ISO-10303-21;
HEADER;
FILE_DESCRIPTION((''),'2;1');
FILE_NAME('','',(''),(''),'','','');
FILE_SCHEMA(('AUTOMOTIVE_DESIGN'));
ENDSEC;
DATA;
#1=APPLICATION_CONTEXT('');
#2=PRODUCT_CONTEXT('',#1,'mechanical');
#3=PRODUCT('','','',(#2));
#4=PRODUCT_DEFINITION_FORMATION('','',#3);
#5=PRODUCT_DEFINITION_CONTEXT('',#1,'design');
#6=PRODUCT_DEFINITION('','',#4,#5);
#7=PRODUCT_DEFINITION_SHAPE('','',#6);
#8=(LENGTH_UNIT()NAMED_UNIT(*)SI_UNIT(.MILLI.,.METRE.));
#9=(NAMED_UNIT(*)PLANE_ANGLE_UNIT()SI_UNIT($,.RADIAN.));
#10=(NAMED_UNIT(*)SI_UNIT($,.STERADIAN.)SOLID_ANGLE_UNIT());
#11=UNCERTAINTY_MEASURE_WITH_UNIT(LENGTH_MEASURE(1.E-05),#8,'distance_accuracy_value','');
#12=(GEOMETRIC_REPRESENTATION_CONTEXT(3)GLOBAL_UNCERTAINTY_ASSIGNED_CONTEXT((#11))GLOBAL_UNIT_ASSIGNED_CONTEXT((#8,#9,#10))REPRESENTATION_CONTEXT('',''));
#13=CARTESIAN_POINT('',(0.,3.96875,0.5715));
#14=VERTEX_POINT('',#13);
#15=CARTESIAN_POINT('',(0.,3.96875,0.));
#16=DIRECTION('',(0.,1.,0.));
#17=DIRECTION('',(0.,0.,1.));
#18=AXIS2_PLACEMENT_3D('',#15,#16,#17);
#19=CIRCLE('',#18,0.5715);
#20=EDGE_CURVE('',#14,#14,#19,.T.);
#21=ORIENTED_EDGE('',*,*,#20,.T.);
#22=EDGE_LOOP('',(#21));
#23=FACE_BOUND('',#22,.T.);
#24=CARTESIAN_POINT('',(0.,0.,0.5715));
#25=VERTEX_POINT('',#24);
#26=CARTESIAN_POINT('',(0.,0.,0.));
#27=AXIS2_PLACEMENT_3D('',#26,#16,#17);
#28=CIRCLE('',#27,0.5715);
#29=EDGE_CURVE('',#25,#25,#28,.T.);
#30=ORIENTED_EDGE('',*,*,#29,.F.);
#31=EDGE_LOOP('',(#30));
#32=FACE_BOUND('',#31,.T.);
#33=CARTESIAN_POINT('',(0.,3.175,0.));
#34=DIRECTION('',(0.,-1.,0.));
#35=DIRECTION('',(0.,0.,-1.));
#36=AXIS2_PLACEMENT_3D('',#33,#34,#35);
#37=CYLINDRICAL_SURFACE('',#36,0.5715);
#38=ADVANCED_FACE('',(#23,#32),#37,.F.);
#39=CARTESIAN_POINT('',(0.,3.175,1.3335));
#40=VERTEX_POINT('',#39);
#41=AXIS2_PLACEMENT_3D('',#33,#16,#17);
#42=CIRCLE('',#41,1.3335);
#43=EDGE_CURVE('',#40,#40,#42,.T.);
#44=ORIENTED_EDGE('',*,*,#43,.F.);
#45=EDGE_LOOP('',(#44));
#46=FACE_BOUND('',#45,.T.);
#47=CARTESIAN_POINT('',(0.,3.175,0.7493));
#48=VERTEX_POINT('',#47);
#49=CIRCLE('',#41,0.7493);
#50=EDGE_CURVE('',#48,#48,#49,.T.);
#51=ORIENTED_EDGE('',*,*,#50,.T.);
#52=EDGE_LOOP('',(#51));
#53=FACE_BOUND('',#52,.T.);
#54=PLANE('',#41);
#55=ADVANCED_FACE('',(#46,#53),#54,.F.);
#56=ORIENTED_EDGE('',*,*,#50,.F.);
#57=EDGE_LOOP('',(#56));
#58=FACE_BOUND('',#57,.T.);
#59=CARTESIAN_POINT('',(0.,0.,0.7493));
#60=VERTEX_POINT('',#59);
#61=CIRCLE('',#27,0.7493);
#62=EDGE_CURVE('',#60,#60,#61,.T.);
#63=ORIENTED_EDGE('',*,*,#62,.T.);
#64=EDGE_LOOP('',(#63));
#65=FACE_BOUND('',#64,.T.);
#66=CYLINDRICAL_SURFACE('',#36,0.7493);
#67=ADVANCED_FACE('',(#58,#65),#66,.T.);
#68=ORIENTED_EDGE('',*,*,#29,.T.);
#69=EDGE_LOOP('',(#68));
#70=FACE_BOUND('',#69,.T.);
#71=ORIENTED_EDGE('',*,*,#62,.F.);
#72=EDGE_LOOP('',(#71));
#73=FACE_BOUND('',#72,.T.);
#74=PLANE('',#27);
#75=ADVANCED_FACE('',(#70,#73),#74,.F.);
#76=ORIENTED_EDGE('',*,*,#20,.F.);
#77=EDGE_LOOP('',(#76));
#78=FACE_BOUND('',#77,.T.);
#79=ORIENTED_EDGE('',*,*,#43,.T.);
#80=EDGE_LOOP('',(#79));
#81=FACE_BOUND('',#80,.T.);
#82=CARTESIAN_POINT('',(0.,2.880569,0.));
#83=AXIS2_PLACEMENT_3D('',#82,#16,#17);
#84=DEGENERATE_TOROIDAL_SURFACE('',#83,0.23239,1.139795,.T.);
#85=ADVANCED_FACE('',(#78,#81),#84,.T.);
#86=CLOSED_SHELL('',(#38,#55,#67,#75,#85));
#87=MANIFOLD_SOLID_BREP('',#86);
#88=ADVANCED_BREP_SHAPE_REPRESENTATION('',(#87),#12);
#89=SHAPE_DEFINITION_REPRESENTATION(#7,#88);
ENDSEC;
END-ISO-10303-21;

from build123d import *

# Parameters (mm, degrees)
SKETCH1_R           = 0.7493
SKETCH1_R_2         = 0.5715
BARREL_DEPTH        = 3.175
SKETCH2_R           = 1.3335
SKETCH2_R_2         = 0.5715
BOSS_EXTRUDE2_DEPTH = 0.79375


with BuildPart() as part:
    # Sketch1 → Barrel (new body)
    with BuildSketch(Plane(origin=(0, 0, 0), x_dir=(1, 0, 0), z_dir=(0, 1, 0))):
        Circle(SKETCH1_R)
        Circle(SKETCH1_R_2, mode=Mode.SUBTRACT)
    extrude(amount=BARREL_DEPTH)

    # Sketch2 → Boss-Extrude2 (add)
    with BuildSketch(Plane(origin=(0, 3.175, 0), x_dir=(1, 0, 0), z_dir=(0, 1, 0))):
        Circle(SKETCH2_R)
        Circle(SKETCH2_R_2, mode=Mode.SUBTRACT)
    extrude(amount=BOSS_EXTRUDE2_DEPTH)

    # Sketch4 → Cut-Revolve11 (revolve, cut)
    with BuildSketch(Plane(origin=(0, 0, 0), x_dir=(0, 0, -1), z_dir=(1, 0, 0))):
        with BuildLine():
            Line((-1.3335, 3.175), (-1.3335, 3.96875))
            Line((-1.3335, 3.96875), (-0.5715, 3.96875))
            ThreePointArc((-0.5715, 3.96875), (-1.054623655, 3.669913708), (-1.3335, 3.175))
        make_face()
    revolve(axis=Axis((0, 3.96875, 0), (0, -1, 0)), mode=Mode.SUBTRACT)


solid = part.part
